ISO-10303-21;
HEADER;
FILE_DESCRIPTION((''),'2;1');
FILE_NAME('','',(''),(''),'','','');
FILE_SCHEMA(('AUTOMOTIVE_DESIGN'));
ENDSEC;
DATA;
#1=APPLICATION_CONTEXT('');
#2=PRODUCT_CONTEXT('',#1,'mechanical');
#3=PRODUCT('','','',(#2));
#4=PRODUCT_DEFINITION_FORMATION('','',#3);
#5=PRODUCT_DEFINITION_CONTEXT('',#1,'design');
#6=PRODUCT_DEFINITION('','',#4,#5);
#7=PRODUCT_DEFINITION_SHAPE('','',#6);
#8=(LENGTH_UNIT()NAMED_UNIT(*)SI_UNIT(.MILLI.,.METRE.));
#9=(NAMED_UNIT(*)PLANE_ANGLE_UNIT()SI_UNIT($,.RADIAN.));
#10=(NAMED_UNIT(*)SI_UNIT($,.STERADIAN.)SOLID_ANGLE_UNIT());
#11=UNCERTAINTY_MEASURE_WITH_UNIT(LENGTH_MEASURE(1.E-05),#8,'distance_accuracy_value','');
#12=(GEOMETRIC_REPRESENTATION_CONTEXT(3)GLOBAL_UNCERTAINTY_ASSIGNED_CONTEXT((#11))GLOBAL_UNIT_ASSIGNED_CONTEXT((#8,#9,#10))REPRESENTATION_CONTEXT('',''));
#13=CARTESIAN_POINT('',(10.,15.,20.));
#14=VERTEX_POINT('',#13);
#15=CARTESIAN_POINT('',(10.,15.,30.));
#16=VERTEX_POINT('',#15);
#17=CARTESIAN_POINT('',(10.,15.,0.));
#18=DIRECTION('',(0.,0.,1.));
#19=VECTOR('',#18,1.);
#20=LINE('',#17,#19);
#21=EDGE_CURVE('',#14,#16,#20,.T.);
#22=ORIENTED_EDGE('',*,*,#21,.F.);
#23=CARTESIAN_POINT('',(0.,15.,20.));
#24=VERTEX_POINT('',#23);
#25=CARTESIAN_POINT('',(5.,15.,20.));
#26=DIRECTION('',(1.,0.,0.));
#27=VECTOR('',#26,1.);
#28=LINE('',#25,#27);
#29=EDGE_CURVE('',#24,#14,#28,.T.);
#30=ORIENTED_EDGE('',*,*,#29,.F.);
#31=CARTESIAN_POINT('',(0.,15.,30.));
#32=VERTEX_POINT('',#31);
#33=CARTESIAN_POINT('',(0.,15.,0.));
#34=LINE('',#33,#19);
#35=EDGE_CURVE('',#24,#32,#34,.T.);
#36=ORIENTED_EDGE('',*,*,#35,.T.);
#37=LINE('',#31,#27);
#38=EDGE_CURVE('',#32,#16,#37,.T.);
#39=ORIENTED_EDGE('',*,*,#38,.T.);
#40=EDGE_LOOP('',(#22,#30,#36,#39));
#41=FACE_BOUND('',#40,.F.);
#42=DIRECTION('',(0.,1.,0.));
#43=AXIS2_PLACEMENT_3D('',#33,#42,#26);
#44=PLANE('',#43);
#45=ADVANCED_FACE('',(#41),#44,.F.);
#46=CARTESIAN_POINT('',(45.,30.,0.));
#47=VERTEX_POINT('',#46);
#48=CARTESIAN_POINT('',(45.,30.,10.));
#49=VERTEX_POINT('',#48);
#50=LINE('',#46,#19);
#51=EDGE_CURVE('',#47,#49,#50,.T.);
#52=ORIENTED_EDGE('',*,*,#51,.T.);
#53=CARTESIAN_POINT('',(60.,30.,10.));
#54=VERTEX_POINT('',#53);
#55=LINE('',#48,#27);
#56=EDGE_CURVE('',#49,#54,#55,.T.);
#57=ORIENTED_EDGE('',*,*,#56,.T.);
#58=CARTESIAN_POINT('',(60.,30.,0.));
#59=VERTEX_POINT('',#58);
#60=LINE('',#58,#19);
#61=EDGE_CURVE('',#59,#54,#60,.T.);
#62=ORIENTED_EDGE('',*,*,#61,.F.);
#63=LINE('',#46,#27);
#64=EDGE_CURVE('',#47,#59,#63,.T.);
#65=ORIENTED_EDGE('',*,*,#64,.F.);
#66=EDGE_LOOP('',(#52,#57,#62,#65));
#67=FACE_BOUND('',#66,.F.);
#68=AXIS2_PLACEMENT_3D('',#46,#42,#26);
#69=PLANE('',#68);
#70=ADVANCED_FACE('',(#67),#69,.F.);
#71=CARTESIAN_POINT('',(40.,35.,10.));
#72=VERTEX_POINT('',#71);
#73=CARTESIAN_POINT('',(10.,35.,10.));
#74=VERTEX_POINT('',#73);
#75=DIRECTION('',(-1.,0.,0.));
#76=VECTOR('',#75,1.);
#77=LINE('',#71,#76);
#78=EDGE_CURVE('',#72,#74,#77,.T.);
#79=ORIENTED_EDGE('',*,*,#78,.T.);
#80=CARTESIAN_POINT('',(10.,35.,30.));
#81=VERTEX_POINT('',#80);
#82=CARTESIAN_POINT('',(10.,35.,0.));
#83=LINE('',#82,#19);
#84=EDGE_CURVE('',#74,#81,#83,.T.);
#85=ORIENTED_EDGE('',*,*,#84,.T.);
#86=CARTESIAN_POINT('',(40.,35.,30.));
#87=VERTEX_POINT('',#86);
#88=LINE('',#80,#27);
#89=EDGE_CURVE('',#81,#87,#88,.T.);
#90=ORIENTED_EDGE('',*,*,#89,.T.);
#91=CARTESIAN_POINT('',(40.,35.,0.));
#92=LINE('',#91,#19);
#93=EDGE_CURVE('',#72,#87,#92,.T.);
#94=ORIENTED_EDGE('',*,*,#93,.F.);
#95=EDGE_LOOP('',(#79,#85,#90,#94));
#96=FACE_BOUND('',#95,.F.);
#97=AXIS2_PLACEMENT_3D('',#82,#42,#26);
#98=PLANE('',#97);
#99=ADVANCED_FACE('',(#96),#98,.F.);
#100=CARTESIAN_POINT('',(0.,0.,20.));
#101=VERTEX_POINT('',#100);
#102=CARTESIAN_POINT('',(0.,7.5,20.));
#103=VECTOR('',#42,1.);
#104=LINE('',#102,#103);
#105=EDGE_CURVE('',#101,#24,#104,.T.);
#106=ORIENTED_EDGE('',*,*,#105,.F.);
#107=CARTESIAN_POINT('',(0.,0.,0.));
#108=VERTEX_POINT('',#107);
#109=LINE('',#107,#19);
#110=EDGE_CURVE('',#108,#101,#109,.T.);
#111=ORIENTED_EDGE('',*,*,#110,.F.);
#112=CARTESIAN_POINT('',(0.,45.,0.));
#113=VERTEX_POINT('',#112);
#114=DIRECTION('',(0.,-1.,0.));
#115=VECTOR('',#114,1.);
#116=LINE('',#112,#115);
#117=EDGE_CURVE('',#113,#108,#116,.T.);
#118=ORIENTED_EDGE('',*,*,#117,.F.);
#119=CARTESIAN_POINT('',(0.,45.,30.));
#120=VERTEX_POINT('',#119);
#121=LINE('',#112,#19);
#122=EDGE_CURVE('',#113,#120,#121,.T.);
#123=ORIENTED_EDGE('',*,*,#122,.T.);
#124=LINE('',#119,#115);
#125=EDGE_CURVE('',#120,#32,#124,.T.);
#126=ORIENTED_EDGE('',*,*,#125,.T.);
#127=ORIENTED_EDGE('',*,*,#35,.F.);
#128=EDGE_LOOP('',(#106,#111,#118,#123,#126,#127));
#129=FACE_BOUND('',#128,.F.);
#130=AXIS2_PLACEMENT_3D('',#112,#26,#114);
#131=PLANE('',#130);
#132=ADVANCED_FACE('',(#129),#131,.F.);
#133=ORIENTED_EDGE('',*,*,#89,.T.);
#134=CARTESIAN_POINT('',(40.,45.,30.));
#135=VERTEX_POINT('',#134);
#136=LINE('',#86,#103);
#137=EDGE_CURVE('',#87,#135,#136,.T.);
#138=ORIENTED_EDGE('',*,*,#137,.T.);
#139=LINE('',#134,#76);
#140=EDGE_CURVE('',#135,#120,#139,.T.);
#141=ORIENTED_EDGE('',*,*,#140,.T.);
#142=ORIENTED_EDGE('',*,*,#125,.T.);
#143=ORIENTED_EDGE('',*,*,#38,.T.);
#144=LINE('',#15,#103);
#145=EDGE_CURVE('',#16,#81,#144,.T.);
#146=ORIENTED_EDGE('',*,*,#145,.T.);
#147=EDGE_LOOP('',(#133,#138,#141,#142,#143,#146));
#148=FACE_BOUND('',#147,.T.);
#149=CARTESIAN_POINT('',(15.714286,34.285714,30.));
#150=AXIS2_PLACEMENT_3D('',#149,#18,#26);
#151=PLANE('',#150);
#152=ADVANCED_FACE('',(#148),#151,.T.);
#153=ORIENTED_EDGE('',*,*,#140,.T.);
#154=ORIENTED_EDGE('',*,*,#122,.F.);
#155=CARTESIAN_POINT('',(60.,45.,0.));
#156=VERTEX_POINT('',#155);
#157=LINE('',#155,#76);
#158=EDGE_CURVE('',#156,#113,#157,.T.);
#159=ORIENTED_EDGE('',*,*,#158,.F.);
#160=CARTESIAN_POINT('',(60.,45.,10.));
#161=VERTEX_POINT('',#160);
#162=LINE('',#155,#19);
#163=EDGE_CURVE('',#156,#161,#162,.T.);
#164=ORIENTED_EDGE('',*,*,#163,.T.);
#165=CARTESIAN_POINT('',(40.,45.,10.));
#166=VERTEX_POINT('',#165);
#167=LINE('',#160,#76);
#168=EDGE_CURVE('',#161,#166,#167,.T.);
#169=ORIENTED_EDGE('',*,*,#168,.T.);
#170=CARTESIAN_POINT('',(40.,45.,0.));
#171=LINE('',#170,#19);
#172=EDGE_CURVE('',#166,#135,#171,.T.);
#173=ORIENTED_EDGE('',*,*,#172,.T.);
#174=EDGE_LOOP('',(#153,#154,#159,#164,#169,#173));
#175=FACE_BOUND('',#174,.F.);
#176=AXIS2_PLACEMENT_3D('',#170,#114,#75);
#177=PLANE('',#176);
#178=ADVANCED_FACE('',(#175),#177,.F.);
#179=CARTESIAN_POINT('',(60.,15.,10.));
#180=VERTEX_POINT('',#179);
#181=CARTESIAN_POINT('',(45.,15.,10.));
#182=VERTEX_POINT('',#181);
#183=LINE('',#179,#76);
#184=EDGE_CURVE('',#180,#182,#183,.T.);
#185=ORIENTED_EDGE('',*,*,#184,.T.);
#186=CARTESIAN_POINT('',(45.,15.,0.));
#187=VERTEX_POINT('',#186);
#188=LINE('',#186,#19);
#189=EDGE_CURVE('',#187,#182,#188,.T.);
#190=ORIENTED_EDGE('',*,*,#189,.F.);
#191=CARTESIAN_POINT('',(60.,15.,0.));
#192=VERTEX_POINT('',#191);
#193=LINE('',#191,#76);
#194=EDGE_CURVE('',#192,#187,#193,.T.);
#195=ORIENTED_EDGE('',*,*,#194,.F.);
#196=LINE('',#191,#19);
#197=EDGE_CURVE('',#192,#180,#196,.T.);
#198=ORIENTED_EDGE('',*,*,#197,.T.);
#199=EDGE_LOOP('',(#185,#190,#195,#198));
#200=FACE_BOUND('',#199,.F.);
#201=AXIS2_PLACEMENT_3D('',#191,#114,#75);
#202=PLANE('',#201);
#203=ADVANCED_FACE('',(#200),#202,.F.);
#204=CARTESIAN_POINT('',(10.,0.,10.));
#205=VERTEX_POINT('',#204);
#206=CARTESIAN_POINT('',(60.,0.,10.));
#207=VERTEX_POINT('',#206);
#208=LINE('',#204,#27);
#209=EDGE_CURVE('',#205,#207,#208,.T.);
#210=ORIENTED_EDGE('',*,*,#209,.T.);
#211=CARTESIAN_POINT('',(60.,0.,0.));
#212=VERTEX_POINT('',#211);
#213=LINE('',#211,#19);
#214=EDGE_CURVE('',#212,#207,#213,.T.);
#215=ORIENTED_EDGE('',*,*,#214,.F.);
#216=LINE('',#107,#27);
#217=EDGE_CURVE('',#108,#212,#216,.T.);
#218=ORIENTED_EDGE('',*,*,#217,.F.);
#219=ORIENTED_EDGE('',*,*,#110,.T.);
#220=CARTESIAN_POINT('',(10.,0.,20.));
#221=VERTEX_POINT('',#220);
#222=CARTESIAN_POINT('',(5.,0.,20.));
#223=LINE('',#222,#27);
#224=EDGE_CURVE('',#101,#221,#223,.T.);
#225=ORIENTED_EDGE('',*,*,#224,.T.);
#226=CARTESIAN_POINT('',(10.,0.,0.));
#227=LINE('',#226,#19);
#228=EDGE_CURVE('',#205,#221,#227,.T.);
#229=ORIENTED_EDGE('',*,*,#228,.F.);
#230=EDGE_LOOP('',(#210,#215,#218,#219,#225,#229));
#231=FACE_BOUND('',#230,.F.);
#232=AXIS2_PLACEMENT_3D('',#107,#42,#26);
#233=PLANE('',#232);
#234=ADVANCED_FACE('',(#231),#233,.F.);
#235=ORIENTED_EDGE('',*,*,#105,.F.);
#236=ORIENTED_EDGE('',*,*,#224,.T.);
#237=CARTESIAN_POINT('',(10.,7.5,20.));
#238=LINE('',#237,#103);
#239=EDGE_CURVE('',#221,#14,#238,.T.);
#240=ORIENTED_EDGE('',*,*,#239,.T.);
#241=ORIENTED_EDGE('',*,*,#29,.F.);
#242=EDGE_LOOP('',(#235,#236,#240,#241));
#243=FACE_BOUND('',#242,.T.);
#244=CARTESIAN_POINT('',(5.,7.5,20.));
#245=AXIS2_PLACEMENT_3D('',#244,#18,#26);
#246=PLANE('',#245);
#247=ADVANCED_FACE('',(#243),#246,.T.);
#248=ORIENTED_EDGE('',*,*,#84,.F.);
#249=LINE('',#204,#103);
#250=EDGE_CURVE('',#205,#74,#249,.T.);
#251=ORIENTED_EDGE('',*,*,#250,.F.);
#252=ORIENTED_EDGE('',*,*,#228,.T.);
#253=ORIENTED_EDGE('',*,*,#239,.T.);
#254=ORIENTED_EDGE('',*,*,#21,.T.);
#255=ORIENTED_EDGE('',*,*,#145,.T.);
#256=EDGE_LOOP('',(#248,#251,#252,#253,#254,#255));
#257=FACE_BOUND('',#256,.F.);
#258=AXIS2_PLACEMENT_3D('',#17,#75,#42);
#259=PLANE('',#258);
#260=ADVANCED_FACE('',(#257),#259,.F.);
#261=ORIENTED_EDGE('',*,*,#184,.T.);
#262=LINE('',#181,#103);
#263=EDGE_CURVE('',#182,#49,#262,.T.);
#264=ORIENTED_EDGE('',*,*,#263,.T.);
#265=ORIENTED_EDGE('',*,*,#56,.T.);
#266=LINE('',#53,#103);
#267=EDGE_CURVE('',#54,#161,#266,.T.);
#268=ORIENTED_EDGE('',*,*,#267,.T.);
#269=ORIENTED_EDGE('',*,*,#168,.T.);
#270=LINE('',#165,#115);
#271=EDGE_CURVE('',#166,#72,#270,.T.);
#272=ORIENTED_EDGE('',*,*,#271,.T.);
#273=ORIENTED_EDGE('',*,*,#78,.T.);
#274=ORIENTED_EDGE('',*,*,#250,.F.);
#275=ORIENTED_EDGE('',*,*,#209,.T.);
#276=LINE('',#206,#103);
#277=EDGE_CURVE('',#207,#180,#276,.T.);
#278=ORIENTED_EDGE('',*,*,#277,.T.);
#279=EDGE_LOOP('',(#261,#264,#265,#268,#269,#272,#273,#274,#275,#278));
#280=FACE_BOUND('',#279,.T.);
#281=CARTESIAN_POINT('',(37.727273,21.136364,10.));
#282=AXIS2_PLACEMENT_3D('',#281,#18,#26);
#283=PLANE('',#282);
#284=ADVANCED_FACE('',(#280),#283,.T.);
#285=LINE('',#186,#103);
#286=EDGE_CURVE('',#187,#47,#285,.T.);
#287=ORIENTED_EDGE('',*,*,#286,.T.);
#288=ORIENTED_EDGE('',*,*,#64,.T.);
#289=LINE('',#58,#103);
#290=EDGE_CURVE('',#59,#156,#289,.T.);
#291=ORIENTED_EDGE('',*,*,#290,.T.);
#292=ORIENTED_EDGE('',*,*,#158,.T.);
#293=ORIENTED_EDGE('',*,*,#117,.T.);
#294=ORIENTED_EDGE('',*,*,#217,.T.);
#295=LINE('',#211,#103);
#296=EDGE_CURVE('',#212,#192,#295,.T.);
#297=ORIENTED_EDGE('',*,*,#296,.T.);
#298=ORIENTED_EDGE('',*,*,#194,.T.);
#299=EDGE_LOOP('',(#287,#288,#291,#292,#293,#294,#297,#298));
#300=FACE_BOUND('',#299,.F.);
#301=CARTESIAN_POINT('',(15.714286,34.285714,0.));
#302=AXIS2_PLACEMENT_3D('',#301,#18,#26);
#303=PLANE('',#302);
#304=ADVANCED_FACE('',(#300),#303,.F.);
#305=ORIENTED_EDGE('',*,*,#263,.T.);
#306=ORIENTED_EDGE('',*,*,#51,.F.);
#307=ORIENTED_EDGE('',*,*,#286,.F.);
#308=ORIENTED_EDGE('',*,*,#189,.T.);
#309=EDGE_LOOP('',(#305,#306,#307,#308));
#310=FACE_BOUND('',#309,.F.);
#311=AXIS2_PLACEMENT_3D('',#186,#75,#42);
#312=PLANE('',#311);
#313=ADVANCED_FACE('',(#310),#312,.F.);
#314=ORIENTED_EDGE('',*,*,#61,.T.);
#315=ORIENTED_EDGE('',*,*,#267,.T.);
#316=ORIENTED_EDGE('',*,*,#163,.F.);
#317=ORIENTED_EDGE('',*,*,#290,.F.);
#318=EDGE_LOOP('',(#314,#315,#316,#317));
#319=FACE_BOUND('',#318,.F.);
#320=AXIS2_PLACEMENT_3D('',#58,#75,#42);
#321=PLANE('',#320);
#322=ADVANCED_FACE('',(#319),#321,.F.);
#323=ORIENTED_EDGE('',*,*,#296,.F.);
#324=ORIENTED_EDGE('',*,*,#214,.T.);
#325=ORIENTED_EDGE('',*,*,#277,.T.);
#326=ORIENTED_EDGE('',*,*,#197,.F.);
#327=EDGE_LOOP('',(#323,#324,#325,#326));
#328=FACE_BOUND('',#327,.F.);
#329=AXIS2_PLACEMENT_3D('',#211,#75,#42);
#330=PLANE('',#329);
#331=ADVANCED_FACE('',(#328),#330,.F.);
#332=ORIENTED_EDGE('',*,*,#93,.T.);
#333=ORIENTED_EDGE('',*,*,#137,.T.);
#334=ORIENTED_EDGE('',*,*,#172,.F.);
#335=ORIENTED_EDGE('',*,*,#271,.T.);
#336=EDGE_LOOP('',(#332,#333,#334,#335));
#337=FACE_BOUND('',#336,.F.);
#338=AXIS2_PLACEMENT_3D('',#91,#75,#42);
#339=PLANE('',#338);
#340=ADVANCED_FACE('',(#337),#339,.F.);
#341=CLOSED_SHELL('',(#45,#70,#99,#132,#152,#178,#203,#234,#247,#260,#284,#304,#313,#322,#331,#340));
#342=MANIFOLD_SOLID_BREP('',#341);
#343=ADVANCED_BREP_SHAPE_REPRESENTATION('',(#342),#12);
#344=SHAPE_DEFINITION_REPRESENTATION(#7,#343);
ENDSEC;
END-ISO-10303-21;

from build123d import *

# Parameters (mm, degrees)
F1_DEPTH = 10
F0_W     = 10
F0_H     = 15
F2_DEPTH = 20
F3_DEPTH = 30


with BuildPart() as f1:
    # F0 (on Top) → F1 (new body)
    with BuildSketch(Plane.XY):
        Polygon((10, 15), (10, 0), (60, 0), (60, 15), (45, 15), (45, 30), (60, 30), (60, 45), (40, 45), (40, 35), (10, 35), align=None)
    extrude(amount=F1_DEPTH)

    # F0 (on Top) → F2 (join)
    with BuildSketch(Plane.XY):
        with Locations((5, 7.5)):
            Rectangle(F0_W, F0_H)
    extrude(amount=F2_DEPTH)

    # F0 (on Top) → F3 (join)
    with BuildSketch(Plane.XY):
        Polygon((0, 45), (0, 15), (10, 15), (10, 35), (40, 35), (40, 45), align=None)
    extrude(amount=F3_DEPTH)


solid = f1.part
